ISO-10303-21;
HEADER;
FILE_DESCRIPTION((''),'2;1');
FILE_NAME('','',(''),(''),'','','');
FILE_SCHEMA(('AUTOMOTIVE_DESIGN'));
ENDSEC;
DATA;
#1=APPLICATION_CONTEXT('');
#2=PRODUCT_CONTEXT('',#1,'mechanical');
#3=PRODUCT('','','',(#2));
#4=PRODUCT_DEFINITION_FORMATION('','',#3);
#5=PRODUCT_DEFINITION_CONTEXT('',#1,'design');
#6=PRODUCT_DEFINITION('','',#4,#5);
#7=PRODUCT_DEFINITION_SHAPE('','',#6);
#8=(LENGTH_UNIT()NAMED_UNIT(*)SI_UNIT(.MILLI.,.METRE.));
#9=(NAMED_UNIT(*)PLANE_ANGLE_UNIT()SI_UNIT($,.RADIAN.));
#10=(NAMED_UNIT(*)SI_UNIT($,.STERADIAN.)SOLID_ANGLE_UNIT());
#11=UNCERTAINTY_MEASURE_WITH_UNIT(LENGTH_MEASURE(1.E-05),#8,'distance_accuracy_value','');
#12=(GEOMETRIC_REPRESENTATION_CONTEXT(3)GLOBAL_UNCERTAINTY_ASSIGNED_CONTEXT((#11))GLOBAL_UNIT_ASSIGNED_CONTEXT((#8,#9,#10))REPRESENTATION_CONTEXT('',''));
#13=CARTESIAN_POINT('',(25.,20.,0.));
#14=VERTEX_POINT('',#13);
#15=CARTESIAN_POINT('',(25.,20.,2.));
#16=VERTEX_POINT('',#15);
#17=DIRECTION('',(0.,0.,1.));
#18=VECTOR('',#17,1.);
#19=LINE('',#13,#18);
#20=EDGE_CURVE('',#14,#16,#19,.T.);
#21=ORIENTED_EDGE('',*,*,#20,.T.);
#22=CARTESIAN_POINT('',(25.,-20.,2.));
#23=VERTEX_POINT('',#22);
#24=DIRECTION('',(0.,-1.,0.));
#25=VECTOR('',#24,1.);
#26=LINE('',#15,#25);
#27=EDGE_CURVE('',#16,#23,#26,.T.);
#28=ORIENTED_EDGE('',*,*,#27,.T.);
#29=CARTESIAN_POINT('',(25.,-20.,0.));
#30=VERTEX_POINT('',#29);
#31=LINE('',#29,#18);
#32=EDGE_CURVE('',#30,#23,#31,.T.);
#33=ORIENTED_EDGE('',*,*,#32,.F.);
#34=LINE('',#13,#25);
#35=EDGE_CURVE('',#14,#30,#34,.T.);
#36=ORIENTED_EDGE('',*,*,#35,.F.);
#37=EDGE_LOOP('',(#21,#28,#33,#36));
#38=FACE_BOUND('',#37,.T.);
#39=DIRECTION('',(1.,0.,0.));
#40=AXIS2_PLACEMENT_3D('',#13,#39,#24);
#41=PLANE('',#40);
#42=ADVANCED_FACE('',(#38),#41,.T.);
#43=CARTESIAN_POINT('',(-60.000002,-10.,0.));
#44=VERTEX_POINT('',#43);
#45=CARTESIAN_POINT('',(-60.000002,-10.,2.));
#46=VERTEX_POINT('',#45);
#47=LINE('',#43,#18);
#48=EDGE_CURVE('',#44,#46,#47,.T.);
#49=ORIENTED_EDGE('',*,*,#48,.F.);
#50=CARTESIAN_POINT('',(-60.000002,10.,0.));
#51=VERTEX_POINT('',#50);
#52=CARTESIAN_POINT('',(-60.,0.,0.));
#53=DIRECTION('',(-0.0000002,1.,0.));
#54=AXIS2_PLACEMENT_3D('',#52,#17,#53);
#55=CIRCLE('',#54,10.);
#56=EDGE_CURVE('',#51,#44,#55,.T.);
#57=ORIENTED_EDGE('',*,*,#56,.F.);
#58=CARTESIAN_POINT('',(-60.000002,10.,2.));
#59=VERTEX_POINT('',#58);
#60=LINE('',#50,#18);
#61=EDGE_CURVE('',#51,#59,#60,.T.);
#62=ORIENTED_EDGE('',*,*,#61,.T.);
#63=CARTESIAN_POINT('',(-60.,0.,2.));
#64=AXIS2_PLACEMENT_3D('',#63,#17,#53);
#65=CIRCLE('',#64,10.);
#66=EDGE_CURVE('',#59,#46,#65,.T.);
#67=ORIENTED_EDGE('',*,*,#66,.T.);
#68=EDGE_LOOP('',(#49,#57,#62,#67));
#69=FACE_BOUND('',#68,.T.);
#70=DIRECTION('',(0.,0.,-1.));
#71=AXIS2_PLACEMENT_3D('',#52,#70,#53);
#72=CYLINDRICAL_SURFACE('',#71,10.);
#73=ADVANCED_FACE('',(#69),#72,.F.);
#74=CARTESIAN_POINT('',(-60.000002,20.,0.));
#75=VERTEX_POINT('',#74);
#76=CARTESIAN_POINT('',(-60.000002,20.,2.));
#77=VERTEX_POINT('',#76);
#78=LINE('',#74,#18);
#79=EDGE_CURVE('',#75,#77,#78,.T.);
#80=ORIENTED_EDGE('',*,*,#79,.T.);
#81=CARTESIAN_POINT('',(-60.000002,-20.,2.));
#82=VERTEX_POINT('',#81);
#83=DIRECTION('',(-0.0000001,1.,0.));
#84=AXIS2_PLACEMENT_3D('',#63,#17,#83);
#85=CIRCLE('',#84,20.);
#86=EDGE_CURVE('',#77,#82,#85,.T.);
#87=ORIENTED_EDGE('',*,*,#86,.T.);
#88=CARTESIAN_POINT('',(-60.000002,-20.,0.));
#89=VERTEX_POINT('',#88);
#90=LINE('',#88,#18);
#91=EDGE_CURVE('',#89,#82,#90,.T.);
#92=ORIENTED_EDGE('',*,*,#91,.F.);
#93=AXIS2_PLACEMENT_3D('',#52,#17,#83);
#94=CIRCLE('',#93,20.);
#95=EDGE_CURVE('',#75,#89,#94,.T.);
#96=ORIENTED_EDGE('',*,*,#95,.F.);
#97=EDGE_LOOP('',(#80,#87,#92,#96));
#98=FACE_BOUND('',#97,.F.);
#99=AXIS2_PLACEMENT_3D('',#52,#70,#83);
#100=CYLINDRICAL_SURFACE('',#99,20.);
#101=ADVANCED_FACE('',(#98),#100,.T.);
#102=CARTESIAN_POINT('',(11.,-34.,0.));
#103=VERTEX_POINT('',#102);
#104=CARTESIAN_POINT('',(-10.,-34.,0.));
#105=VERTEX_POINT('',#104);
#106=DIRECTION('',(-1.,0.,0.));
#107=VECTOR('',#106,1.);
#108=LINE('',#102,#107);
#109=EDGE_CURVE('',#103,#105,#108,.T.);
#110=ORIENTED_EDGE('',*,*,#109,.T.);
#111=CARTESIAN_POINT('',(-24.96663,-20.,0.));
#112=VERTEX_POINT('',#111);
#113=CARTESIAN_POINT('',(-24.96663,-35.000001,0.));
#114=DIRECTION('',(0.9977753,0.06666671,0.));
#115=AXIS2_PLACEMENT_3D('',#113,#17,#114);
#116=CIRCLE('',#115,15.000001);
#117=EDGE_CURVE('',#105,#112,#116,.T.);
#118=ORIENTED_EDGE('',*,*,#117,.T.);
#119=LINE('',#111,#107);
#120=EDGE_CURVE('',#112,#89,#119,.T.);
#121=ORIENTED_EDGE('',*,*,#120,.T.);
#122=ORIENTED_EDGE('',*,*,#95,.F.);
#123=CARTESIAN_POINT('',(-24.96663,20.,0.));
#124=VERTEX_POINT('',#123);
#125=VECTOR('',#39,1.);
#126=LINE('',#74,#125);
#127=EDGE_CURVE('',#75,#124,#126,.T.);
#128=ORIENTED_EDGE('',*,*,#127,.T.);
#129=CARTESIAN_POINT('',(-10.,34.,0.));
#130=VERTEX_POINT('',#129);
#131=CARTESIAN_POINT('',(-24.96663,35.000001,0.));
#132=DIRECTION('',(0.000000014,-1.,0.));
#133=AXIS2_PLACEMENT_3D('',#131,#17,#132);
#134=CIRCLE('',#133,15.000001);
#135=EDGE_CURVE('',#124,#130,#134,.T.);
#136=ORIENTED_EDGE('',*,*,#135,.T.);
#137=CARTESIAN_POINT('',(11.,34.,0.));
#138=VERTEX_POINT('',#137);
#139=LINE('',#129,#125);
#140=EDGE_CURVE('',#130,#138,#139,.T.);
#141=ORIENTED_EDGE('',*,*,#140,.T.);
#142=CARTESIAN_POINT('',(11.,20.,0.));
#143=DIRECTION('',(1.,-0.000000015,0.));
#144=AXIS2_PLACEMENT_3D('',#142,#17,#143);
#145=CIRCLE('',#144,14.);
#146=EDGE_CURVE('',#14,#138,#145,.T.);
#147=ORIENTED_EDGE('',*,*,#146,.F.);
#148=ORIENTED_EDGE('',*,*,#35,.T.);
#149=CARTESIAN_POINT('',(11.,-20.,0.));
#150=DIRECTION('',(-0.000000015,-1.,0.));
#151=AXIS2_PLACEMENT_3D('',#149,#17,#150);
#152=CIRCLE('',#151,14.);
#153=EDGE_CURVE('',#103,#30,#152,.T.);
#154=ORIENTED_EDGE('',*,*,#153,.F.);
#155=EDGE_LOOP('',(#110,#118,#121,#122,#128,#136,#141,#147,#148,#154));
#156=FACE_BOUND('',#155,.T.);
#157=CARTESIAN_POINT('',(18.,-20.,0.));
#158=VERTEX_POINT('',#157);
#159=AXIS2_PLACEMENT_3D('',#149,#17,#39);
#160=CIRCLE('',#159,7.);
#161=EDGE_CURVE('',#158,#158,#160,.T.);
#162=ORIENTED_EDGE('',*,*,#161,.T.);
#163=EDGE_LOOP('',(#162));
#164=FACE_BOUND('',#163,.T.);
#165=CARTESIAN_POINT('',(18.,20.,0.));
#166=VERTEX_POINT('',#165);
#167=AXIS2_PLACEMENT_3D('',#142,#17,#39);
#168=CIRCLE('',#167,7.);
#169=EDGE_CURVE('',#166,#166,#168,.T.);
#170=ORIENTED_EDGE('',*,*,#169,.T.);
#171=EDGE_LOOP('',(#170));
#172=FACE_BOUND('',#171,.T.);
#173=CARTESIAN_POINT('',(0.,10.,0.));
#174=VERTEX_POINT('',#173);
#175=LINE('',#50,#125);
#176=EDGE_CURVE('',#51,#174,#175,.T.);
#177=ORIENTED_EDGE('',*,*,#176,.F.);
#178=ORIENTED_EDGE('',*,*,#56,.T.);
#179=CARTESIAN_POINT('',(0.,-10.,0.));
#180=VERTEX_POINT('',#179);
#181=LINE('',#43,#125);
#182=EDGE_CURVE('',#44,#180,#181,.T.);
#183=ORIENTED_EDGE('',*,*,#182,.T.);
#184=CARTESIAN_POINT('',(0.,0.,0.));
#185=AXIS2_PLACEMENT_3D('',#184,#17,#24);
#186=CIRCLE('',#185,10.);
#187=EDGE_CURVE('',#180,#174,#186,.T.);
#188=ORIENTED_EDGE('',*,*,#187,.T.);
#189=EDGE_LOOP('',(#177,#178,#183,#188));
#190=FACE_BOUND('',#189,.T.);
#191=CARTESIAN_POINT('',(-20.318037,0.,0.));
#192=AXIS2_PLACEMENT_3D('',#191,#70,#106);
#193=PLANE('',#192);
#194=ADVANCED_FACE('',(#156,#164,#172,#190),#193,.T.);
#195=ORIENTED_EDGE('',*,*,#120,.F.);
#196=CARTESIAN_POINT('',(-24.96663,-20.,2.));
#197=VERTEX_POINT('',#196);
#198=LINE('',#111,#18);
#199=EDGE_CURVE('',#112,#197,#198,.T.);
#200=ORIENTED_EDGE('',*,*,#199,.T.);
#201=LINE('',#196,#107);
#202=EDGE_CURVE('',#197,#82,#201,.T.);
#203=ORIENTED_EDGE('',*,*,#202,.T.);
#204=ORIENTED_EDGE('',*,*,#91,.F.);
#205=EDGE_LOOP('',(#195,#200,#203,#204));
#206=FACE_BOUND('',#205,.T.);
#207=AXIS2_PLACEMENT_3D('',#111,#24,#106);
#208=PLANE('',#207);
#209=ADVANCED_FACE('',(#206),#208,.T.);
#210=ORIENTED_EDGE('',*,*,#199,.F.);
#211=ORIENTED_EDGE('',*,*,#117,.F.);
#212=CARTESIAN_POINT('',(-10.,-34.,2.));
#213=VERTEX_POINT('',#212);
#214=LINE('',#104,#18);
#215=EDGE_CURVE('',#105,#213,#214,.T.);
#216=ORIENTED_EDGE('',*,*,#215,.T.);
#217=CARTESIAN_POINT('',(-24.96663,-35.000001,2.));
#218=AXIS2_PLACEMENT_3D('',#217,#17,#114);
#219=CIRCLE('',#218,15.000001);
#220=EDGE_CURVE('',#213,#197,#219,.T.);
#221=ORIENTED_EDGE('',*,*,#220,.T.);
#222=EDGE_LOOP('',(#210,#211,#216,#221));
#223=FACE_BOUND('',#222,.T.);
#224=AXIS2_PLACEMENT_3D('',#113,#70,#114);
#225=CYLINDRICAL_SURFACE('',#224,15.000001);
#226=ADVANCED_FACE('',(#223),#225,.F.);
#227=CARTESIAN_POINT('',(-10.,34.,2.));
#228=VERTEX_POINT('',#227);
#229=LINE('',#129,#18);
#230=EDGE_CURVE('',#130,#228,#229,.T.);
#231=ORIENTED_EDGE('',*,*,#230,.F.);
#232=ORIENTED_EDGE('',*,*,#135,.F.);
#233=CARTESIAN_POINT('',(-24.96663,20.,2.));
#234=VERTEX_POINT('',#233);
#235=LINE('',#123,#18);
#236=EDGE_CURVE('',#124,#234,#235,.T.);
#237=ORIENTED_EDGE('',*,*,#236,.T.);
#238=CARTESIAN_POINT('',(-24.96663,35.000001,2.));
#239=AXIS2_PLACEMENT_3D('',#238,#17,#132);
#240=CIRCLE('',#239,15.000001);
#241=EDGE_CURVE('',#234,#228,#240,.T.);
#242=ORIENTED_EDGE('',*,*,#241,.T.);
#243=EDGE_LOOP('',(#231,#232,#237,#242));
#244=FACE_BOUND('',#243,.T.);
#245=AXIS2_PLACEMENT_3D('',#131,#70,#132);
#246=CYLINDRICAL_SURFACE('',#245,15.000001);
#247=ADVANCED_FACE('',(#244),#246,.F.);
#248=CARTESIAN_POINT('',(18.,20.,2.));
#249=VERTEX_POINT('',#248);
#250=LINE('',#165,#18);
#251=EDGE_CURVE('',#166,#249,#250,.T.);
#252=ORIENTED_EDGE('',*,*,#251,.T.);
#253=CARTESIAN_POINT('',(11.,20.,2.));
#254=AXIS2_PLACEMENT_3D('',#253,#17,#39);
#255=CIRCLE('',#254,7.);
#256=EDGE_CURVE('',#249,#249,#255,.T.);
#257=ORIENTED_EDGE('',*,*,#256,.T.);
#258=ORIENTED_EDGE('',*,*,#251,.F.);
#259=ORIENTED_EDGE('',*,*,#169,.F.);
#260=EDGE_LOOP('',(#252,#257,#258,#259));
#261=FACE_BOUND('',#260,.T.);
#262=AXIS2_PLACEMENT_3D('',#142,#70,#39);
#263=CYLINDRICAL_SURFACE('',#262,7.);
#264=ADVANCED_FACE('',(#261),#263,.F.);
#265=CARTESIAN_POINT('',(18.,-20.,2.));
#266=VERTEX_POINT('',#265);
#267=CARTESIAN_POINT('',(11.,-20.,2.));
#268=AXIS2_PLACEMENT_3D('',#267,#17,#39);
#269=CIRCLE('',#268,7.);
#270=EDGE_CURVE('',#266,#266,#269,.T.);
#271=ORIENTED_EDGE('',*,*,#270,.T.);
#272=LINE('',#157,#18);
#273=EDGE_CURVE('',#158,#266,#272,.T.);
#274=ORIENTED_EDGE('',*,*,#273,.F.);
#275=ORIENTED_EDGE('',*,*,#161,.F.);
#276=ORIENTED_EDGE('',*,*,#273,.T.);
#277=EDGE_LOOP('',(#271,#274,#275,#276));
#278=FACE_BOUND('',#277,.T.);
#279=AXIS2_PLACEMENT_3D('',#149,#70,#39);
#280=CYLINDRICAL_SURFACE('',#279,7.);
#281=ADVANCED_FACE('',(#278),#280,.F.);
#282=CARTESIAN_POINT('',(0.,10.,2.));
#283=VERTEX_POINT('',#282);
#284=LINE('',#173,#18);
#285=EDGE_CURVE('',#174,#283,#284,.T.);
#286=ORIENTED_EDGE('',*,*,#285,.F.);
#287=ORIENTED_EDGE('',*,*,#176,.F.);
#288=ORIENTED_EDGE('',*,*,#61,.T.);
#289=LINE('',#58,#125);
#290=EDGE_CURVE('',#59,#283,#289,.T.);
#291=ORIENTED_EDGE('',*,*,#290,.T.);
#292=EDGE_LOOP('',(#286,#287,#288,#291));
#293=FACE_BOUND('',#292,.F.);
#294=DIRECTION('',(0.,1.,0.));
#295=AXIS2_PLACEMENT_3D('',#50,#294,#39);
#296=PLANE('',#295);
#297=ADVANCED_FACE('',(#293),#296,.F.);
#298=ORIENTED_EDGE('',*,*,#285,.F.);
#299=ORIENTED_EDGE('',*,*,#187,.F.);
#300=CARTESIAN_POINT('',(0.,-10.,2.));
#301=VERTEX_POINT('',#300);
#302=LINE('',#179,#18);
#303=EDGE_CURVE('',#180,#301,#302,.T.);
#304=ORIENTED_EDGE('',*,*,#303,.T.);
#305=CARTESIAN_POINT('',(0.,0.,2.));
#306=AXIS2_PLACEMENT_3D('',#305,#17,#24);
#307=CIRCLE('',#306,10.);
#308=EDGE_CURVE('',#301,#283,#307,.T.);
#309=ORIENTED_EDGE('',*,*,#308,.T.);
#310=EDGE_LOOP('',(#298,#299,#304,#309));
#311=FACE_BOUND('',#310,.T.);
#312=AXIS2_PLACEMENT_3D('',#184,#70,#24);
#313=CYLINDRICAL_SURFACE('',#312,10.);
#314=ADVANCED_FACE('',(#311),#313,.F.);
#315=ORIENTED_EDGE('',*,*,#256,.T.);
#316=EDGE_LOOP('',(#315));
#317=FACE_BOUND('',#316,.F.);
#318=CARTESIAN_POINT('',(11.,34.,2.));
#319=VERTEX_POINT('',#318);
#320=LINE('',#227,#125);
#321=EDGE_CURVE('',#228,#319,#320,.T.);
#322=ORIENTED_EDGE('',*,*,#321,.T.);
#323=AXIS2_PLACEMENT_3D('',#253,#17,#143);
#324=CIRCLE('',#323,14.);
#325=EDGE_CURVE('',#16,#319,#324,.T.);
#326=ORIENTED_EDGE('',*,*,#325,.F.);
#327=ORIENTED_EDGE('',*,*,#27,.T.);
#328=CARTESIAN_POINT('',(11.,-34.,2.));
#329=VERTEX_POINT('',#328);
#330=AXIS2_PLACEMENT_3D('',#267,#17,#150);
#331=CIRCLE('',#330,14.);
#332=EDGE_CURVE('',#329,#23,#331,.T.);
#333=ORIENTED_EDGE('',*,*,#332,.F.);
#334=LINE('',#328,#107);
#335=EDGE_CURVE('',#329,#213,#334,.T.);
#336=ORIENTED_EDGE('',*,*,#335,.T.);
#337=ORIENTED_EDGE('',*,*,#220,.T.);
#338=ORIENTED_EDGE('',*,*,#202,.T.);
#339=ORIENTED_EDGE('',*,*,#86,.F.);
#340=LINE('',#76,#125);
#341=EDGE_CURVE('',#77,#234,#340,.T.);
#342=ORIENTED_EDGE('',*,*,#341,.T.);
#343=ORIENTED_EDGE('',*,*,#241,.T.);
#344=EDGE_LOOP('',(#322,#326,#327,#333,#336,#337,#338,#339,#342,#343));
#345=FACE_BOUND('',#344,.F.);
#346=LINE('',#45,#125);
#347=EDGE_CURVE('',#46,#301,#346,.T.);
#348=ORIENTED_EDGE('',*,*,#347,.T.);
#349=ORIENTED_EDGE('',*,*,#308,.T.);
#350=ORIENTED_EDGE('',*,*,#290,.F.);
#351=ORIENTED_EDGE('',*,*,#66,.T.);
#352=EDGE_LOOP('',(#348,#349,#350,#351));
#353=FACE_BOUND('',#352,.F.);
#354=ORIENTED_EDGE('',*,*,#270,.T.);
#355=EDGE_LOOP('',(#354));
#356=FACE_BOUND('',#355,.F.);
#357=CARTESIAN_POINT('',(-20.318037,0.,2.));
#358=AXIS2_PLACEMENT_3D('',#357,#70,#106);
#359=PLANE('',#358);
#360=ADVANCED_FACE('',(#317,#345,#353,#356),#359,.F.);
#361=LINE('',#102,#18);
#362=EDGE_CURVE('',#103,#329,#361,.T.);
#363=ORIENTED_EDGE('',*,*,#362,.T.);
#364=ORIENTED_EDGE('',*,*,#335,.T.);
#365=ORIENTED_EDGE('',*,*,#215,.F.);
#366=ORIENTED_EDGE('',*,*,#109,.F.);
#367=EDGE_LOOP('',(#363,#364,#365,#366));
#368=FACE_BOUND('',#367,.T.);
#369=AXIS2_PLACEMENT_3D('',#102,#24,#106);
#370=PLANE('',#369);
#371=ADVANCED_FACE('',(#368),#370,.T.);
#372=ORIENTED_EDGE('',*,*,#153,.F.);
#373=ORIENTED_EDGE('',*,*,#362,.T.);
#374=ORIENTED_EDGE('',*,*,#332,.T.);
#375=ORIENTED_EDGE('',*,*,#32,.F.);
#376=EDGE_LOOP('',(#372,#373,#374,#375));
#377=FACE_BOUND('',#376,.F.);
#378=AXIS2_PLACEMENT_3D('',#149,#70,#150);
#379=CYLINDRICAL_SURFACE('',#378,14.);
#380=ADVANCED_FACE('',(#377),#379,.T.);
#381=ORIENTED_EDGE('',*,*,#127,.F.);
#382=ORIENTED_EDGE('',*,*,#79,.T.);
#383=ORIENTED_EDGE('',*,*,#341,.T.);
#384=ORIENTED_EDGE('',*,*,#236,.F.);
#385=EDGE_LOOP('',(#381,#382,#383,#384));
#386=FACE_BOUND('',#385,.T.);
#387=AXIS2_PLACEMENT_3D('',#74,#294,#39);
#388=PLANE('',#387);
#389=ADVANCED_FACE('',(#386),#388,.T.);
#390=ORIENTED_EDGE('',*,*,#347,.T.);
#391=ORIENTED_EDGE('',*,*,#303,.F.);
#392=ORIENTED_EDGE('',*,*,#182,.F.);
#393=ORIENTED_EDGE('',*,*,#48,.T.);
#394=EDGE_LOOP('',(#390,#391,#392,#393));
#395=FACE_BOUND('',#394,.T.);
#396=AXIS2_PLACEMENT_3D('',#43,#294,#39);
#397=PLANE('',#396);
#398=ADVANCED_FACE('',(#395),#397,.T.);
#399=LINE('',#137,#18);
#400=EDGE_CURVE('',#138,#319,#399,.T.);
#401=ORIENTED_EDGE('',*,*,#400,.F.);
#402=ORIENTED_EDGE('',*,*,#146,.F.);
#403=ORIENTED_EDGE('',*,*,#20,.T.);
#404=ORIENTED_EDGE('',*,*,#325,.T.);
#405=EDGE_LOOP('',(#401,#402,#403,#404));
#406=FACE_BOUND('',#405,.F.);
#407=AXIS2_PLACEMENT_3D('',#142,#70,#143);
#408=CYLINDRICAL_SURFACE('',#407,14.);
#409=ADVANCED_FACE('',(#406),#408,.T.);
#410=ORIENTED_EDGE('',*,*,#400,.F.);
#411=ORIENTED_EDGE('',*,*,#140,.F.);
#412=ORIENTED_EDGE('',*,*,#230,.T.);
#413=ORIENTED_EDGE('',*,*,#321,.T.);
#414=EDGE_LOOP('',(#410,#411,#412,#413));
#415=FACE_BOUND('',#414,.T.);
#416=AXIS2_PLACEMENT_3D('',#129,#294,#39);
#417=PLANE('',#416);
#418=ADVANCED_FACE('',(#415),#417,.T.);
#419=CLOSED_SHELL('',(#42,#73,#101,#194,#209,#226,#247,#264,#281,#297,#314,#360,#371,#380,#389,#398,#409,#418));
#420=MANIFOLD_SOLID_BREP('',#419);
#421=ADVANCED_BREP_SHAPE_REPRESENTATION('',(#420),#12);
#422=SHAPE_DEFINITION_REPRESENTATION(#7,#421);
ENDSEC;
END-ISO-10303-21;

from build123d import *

# Parameters (mm, degrees)
SKETCH_R  = 7
PAD_DEPTH = 2


with BuildPart() as part:
    # Sketch → Pad (new body)
    with BuildSketch(Plane.XY):
        with BuildLine():
            Line((-10, 34), (11, 34))
            ThreePointArc((25, 20), (20.899495, 29.899495), (11, 34))
            Line((25, 20), (25, -20))
            ThreePointArc((11, -34), (20.899495, -29.899495), (25, -20))
            Line((11, -34), (-10, -34))
            ThreePointArc((-10, -34), (-14.719679, -24.045549), (-24.96663, -20))
            Line((-24.96663, -20), (-60.000002, -20))
            ThreePointArc((-60.000002, 20), (-80, 0), (-60.000002, -20))
            Line((-60.000002, 20), (-24.96663, 20))
            ThreePointArc((-24.96663, 20), (-14.719679, 24.045549), (-10, 34))
        make_face()
        with Locations((11, 20)):
            Circle(SKETCH_R, mode=Mode.SUBTRACT)
        with Locations((11, -20)):
            Circle(SKETCH_R, mode=Mode.SUBTRACT)
        with BuildLine():
            ThreePointArc((-60.000002, 10), (-70, 0), (-60.000002, -10))
            Line((-60.000002, -10), (0, -10))
            ThreePointArc((0, -10), (10, 0), (0, 10))
            Line((-60.000002, 10), (0, 10))
        make_face(mode=Mode.SUBTRACT)
    extrude(amount=PAD_DEPTH)


solid = part.part
